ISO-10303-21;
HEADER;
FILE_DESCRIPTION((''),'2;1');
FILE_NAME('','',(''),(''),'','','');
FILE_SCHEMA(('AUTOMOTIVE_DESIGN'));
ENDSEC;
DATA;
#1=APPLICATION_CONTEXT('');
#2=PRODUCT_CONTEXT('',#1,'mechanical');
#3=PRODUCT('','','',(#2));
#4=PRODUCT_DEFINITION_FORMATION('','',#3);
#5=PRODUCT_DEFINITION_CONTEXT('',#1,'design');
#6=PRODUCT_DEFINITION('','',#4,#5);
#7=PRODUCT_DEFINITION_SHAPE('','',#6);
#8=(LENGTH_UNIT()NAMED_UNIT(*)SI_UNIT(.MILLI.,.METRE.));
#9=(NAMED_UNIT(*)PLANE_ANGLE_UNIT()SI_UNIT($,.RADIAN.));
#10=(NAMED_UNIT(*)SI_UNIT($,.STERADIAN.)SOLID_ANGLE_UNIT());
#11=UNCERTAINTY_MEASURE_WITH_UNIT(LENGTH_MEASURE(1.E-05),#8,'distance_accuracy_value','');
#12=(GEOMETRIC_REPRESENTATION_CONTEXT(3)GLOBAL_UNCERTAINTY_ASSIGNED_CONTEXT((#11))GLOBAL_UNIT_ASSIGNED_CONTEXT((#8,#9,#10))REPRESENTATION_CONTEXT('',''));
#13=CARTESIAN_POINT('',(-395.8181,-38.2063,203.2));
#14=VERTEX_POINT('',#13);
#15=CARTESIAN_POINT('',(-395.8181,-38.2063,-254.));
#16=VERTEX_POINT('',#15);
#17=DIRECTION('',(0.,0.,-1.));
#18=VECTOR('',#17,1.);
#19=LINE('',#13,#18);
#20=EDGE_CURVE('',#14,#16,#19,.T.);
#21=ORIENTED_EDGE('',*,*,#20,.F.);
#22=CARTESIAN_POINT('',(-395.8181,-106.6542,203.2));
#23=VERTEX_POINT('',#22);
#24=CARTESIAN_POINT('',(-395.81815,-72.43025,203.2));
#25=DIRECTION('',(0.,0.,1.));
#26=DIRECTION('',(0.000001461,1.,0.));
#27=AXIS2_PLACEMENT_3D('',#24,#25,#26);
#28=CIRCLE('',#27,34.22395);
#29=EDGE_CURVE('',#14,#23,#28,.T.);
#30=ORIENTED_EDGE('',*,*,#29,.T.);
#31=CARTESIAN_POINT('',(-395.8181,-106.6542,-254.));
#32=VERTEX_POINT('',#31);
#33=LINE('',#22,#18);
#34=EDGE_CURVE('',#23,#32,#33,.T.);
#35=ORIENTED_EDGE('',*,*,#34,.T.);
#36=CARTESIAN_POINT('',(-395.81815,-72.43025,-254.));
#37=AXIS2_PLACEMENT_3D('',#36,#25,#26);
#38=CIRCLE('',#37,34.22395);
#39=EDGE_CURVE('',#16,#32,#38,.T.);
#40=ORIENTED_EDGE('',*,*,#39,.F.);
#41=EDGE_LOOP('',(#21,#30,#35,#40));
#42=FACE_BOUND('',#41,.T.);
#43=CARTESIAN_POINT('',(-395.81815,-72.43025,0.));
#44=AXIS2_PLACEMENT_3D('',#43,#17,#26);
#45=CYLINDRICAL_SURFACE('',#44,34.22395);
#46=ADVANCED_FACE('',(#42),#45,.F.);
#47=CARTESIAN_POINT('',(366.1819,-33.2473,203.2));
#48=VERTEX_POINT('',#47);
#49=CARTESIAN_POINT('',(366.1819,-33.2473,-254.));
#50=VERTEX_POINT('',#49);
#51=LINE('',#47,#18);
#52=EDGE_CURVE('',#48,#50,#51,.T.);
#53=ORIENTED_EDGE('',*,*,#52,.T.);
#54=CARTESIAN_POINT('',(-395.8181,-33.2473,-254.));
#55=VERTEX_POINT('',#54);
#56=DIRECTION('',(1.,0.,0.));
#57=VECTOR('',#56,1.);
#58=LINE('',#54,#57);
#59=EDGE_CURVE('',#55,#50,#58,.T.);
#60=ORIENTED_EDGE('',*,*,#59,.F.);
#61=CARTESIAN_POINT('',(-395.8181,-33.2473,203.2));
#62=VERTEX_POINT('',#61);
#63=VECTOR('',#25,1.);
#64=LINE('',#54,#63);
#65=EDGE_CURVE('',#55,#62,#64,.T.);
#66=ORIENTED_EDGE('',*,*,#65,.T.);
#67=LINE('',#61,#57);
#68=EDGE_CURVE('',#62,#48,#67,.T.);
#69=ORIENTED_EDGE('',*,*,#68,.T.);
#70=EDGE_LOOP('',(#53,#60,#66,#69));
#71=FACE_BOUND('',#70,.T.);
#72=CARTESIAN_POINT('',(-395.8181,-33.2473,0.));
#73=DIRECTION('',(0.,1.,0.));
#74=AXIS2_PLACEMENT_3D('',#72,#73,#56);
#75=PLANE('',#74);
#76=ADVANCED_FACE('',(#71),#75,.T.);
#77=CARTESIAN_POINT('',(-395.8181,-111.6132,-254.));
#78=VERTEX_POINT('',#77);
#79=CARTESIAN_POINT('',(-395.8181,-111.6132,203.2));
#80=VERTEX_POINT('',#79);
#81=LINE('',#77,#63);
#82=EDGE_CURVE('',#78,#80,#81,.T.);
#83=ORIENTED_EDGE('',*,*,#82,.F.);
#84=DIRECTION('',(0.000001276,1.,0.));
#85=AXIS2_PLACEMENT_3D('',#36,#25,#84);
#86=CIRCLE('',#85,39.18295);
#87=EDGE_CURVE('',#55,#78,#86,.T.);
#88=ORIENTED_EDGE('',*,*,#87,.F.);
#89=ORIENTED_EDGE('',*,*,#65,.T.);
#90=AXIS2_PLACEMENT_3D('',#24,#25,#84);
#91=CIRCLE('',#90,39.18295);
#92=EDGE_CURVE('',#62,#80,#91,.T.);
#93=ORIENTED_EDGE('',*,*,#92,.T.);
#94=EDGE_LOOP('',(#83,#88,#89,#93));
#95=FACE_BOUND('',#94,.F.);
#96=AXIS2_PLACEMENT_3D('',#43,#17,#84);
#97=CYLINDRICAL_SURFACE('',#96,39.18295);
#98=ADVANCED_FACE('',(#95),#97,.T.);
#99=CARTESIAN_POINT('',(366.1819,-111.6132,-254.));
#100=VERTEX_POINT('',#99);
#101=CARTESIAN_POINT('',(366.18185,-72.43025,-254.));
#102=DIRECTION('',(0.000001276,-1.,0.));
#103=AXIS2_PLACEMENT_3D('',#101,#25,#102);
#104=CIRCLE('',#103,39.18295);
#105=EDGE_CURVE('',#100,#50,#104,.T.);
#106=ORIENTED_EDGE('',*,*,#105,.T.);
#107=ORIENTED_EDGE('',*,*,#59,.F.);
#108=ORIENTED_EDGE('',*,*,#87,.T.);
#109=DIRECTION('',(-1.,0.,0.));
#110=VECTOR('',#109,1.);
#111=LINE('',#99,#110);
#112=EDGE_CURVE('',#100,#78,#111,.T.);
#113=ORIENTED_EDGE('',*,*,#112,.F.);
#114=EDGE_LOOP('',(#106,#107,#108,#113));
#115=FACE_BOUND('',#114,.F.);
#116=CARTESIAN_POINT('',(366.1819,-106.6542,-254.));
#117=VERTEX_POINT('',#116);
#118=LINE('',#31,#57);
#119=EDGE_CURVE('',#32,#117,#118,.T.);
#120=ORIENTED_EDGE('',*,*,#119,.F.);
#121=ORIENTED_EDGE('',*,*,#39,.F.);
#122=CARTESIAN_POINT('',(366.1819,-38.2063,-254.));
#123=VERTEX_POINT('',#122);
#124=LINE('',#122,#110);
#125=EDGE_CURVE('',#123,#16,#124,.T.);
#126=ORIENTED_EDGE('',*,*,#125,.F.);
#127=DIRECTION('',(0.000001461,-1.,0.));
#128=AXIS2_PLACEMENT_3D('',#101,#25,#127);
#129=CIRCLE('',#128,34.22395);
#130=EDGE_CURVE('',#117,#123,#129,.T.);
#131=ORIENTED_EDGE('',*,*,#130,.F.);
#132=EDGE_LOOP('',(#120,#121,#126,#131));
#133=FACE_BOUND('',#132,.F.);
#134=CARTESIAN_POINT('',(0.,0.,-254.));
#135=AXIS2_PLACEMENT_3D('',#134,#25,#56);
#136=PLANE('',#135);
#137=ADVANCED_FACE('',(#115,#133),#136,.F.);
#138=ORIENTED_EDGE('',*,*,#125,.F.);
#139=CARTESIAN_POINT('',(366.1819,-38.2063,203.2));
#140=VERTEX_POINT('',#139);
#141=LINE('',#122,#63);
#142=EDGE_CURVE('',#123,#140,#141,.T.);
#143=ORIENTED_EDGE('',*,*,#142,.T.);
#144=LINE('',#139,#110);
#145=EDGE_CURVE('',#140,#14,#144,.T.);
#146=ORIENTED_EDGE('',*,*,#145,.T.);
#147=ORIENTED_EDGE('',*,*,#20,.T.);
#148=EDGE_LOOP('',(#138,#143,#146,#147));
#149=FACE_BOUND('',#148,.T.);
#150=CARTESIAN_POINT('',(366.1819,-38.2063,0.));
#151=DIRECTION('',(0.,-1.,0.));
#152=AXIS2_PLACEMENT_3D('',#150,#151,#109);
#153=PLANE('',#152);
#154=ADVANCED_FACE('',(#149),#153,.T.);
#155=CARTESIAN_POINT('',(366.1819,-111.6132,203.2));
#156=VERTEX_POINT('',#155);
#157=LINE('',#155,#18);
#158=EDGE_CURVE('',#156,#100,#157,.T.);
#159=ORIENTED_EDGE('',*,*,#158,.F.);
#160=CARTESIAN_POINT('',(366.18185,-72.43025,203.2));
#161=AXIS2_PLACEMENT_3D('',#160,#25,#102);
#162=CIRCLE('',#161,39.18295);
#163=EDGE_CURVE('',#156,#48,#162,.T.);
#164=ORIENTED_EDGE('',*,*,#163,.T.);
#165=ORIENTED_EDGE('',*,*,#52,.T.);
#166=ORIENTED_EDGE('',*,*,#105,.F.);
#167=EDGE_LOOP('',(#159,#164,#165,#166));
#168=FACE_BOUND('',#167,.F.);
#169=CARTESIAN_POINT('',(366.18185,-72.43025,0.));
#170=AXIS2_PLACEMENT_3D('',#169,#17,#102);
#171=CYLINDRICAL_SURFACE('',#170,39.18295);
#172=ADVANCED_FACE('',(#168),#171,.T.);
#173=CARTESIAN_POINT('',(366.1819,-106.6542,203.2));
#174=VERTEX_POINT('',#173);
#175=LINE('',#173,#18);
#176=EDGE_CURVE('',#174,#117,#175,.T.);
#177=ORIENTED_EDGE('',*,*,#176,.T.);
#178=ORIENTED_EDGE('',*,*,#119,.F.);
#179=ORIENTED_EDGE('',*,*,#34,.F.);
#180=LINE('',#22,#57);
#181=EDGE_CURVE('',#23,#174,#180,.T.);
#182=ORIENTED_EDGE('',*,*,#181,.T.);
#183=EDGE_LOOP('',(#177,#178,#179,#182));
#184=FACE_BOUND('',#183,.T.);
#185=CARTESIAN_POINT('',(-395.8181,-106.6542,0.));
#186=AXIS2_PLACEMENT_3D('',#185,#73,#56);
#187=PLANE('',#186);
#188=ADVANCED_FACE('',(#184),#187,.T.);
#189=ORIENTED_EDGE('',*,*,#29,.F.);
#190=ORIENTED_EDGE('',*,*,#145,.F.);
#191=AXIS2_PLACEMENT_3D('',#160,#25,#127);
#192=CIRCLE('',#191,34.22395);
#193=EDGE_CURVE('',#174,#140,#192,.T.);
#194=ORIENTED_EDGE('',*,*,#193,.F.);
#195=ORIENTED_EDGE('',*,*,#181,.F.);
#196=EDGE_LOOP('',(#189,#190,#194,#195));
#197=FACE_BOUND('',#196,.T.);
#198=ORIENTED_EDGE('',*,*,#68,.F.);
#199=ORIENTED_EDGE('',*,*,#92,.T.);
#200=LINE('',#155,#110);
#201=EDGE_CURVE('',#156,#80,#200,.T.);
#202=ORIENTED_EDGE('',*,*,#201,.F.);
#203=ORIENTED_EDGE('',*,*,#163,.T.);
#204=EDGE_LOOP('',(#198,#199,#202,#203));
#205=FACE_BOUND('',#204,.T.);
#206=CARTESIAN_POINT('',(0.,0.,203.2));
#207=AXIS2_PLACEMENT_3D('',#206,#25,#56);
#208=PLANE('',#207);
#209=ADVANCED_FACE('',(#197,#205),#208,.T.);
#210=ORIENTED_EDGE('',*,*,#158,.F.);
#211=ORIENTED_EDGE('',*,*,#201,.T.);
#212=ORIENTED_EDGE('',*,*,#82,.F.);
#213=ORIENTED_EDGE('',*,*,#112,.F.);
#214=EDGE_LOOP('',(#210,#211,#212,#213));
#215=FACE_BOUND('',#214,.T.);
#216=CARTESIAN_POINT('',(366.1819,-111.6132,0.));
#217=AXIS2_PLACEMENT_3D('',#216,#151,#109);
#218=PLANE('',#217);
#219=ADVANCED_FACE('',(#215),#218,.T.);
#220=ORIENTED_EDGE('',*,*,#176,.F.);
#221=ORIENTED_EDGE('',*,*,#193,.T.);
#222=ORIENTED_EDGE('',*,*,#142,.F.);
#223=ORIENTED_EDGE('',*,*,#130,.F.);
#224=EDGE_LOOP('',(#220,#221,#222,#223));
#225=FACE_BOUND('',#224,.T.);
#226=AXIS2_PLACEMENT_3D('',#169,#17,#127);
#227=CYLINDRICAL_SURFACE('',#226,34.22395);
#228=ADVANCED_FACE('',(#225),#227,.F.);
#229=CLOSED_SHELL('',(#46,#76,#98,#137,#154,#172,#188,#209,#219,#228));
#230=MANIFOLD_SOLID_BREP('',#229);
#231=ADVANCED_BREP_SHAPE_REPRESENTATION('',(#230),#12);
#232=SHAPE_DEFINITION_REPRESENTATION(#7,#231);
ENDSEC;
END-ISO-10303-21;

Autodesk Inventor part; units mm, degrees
ref_plane "YZ Plane" through (0, 0, 0) normal (1, 0, 0) x (0, 1, 0)
ref_plane "XZ Plane" through (0, 0, 0) normal (0, 1, 0) x (-1, 0, 0)
ref_plane "XY Plane" through (0, 0, 0) normal (0, 0, 1) x (1, 0, 0)
sketch "Sketch1" plane through (0, 0, 0) normal (0, 0, 1) x (1, 0, 0)
  line L0 (-395.8181, -42.4329) -> (366.1819, -42.4329) projected
  line L1 (-395.8181, -102.4277) -> (366.1819, -102.4277) projected
  arc A0 (366.1819, -102.4277) -> (366.1819, -42.4329) centre (366.1819, -72.4303) ccw
  arc A1 (-395.8181, -42.4329) -> (-395.8181, -102.4277) centre (-395.8181, -72.4303) ccw
  line L2 (366.1819, -38.2063) -> (-395.8181, -38.2063)
  arc A2 (-395.8181, -38.2063) -> (-395.8181, -106.6542) centre (-395.8181, -72.4303) ccw
  line L3 (-395.8181, -106.6542) -> (366.1819, -106.6542)
  arc A3 (366.1819, -106.6542) -> (366.1819, -38.2063) centre (366.1819, -72.4303) ccw
  line L4 (-395.8181, -33.2473) -> (366.1819, -33.2473)
  arc A4 (366.1819, -111.6132) -> (366.1819, -33.2473) centre (366.1819, -72.4303) ccw
  line L5 (366.1819, -111.6132) -> (-395.8181, -111.6132)
  arc A5 (-395.8181, -33.2473) -> (-395.8181, -111.6132) centre (-395.8181, -72.4303) ccw
  point P0 (0, 0)
  point P1 (-397.2939, -72.395)
extrude "Extrusion1" add sketch "Sketch1" along normal blind 203.2 and the other way blind 254 contours L4 A4 L5 A5
sketch "Sketch2" plane through (-395.8181, -106.6542, 203.2) normal (0, 1, 0) x (1, 0, 0)
  point P0 (395.8181, 203.2)
sketch "Sketch3" plane through (-395.8181, -33.2473, 203.2) normal (0, 1, 0) x (1, 0, 0)
  line L0 (0, 457.2) -> (762, 457.2) projected
  line L1 (381, 457.2) -> (381, 355.6)
  line L2 (381, 0.2737) -> (381, 101.8737)
  line L3 (0, 457.2) -> (0, 0) projected
  line L4 (0, 355.6) -> (762, 355.6)
  line L5 (762, 355.6) -> (762, 101.8737)
  line L6 (762, 101.8737) -> (0, 101.8737)
  line L7 (0, 101.8737) -> (0, 355.6)
  point P0 (395.8181, 203.2)
  dimension "d4" = 101.6
  dimension "d5" = 101.6
extrude "Extrusion2" [suppressed]
sketch "Sketch4" plane through (-395.8181, -106.6542, 203.2) normal (0, 1, 0) x (1, 0, 0)
  point P0 (395.8181, 203.2)
sketch "Sketch5" plane through (0, 0, 203.2) normal (0, 0, 1) x (1, 0, 0)
  point P0 (0, 0)
properties part number "belt"
